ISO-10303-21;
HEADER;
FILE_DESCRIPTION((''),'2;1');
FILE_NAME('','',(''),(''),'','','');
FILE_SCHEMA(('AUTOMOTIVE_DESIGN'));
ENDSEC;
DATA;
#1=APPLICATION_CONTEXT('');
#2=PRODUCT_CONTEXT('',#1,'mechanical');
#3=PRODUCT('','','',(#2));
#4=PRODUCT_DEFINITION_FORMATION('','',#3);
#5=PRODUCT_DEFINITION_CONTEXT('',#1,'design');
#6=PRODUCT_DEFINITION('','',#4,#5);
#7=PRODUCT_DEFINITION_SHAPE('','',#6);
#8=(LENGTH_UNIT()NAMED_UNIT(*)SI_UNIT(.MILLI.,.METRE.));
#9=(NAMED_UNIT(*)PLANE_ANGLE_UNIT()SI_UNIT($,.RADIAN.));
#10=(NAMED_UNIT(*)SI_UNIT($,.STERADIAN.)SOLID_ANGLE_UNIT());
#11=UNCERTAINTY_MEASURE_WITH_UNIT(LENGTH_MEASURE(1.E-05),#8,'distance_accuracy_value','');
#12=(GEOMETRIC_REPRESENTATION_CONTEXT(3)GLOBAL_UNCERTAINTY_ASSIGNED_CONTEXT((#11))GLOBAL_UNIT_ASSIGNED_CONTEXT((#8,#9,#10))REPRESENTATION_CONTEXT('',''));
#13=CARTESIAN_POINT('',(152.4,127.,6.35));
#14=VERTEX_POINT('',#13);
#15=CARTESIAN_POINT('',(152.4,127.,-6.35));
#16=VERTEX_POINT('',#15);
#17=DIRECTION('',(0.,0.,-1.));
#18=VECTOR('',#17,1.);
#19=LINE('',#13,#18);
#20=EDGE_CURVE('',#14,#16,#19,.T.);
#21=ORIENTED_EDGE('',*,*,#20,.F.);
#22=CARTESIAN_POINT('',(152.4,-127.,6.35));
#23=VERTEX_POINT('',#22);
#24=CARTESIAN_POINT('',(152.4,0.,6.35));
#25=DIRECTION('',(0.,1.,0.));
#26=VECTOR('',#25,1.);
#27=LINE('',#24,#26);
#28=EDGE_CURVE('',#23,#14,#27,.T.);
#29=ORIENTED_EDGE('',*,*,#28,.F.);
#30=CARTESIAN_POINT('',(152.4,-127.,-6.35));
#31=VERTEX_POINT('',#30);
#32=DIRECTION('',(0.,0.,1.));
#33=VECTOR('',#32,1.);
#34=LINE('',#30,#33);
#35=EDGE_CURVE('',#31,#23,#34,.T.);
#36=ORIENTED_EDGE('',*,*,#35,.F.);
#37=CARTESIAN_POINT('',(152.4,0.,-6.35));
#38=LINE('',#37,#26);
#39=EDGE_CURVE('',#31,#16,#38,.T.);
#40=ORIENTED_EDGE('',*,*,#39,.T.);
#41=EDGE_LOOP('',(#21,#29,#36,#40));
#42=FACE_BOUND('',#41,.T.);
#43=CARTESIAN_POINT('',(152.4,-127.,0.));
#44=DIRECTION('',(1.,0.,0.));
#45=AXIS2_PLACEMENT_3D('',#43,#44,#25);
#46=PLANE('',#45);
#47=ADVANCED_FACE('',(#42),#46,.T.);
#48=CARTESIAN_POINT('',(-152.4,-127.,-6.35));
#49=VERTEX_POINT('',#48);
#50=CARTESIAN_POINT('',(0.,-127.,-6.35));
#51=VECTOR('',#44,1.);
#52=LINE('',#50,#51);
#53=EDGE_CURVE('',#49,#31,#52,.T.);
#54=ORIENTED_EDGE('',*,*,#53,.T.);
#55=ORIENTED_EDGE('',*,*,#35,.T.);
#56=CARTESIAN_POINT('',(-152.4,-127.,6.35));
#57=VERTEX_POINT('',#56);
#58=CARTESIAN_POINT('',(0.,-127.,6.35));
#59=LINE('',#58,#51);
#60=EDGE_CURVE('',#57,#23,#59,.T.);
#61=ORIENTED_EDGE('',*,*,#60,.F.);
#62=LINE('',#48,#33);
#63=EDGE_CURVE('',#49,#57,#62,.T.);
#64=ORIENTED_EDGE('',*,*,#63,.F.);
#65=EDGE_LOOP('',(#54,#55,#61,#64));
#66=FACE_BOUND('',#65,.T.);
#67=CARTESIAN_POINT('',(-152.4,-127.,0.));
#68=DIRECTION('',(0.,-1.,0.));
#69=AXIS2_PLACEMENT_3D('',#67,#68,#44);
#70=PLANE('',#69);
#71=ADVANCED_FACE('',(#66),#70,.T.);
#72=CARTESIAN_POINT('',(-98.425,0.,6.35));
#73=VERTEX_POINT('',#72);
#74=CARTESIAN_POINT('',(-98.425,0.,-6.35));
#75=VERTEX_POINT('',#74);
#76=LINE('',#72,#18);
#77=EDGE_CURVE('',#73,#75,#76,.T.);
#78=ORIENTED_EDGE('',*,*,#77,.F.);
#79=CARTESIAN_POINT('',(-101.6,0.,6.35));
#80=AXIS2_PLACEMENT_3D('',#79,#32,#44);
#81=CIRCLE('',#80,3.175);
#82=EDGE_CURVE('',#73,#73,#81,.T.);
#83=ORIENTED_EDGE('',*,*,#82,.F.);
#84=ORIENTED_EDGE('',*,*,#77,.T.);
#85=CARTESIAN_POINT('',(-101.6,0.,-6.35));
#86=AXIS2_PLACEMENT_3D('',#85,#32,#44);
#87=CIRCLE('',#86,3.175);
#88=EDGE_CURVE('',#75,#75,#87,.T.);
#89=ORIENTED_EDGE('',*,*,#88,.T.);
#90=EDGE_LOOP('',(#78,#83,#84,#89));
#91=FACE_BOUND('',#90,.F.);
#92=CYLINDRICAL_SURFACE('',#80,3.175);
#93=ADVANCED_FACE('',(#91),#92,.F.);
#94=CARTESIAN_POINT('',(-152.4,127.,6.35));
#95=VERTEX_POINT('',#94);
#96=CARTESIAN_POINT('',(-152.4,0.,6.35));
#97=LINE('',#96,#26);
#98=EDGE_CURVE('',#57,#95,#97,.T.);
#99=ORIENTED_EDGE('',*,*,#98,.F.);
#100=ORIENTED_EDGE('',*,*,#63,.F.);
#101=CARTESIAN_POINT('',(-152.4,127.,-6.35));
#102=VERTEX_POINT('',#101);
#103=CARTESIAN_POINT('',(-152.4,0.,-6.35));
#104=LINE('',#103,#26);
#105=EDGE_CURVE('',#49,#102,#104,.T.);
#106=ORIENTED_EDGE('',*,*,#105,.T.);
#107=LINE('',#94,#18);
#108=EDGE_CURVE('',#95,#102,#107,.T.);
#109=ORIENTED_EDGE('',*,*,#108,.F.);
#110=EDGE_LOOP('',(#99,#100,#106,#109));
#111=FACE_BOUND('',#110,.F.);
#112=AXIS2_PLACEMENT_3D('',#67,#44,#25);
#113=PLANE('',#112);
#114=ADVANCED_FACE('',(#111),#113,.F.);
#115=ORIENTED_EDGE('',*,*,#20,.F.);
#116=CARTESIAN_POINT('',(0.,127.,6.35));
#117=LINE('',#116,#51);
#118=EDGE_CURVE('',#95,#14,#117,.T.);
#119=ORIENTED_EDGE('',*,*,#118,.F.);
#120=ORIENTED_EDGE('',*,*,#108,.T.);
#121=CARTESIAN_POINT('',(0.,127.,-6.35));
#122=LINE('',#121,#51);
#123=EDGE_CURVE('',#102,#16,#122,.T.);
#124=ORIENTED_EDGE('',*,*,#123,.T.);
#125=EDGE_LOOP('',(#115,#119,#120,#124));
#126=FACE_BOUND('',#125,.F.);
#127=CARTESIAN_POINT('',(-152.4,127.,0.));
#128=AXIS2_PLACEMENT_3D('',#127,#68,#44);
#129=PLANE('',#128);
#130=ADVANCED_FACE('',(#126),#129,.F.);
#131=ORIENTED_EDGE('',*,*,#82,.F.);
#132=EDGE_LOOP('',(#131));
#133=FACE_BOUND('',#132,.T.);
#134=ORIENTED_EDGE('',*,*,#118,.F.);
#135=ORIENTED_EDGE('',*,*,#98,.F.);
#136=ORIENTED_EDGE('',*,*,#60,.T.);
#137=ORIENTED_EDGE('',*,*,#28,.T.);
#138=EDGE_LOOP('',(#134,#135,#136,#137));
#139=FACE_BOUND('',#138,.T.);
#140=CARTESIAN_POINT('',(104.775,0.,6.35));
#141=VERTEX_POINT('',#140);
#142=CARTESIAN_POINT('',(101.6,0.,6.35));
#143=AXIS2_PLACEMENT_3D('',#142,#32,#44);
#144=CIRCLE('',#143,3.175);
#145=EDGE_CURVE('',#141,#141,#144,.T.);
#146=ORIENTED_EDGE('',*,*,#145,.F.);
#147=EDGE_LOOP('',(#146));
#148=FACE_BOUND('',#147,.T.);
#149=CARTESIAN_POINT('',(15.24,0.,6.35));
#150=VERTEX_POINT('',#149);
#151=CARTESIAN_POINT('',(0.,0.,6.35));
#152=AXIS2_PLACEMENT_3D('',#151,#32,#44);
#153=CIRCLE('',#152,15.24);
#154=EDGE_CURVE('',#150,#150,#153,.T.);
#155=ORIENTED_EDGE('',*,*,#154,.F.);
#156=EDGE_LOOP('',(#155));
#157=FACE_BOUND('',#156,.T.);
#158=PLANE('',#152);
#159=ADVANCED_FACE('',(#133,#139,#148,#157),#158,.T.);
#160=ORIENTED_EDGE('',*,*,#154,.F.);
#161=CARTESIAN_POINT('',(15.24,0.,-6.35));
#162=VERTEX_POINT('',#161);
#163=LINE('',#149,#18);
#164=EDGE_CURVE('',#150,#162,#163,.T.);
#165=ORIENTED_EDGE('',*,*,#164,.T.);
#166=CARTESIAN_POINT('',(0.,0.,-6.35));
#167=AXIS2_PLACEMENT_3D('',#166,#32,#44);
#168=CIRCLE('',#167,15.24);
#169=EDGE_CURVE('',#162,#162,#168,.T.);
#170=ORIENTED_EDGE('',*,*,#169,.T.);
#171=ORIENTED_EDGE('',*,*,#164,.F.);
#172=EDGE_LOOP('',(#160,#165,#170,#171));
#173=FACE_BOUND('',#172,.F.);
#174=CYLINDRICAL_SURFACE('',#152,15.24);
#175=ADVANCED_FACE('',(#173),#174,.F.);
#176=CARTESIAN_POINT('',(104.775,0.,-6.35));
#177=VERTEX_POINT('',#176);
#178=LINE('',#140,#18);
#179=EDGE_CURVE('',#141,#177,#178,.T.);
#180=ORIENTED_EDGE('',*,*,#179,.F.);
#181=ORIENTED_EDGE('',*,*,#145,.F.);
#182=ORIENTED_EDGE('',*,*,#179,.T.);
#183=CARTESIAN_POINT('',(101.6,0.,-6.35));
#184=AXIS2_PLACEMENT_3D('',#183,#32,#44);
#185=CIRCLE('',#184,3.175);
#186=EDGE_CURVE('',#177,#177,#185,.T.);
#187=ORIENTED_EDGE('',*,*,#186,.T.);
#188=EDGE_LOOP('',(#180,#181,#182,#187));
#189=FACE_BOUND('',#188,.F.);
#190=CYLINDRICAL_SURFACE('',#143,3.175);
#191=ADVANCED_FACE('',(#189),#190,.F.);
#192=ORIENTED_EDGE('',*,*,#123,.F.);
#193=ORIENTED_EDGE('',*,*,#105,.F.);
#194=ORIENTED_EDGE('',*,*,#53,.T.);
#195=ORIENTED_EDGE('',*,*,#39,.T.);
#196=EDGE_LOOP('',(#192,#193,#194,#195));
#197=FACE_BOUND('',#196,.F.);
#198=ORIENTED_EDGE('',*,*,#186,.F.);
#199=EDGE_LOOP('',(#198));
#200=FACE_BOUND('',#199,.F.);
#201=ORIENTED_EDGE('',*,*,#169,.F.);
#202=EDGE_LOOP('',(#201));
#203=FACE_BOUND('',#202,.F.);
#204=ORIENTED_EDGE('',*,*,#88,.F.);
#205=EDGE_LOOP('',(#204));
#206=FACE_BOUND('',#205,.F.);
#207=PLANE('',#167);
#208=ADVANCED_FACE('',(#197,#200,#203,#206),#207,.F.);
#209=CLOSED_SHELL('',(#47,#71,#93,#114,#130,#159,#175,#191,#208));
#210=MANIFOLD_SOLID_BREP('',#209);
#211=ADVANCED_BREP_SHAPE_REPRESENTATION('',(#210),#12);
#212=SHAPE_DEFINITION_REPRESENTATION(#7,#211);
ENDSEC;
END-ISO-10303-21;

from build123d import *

# Parameters (mm, degrees)
F0_W     = 304.8
F0_H     = 254
F1_DEPTH = 6.35
F2_R     = 15.24
F3_DEPTH = 12.701
F4_R     = 3.175
F5_DEPTH = 12.701


with BuildPart() as f1:
    # F0 (on Top) → F1 (new body, symmetric)
    with BuildSketch(Plane.XY):
        Rectangle(F0_W, F0_H)
    extrude(amount=F1_DEPTH, both=True)

    # F2 (on face) → F3 (cut, through all)
    with BuildSketch(Plane.XY.offset(6.35)):
        Circle(F2_R)
    extrude(amount=-F3_DEPTH, mode=Mode.SUBTRACT)

    # F4 (on face) → F5 (cut, through all)
    with BuildSketch(Plane.XY.offset(6.35)):
        with Locations((-101.6, 0)):
            Circle(F4_R)
        with Locations((101.6, 0)):
            Circle(F4_R)
    extrude(amount=-F5_DEPTH, mode=Mode.SUBTRACT)


solid = f1.part
